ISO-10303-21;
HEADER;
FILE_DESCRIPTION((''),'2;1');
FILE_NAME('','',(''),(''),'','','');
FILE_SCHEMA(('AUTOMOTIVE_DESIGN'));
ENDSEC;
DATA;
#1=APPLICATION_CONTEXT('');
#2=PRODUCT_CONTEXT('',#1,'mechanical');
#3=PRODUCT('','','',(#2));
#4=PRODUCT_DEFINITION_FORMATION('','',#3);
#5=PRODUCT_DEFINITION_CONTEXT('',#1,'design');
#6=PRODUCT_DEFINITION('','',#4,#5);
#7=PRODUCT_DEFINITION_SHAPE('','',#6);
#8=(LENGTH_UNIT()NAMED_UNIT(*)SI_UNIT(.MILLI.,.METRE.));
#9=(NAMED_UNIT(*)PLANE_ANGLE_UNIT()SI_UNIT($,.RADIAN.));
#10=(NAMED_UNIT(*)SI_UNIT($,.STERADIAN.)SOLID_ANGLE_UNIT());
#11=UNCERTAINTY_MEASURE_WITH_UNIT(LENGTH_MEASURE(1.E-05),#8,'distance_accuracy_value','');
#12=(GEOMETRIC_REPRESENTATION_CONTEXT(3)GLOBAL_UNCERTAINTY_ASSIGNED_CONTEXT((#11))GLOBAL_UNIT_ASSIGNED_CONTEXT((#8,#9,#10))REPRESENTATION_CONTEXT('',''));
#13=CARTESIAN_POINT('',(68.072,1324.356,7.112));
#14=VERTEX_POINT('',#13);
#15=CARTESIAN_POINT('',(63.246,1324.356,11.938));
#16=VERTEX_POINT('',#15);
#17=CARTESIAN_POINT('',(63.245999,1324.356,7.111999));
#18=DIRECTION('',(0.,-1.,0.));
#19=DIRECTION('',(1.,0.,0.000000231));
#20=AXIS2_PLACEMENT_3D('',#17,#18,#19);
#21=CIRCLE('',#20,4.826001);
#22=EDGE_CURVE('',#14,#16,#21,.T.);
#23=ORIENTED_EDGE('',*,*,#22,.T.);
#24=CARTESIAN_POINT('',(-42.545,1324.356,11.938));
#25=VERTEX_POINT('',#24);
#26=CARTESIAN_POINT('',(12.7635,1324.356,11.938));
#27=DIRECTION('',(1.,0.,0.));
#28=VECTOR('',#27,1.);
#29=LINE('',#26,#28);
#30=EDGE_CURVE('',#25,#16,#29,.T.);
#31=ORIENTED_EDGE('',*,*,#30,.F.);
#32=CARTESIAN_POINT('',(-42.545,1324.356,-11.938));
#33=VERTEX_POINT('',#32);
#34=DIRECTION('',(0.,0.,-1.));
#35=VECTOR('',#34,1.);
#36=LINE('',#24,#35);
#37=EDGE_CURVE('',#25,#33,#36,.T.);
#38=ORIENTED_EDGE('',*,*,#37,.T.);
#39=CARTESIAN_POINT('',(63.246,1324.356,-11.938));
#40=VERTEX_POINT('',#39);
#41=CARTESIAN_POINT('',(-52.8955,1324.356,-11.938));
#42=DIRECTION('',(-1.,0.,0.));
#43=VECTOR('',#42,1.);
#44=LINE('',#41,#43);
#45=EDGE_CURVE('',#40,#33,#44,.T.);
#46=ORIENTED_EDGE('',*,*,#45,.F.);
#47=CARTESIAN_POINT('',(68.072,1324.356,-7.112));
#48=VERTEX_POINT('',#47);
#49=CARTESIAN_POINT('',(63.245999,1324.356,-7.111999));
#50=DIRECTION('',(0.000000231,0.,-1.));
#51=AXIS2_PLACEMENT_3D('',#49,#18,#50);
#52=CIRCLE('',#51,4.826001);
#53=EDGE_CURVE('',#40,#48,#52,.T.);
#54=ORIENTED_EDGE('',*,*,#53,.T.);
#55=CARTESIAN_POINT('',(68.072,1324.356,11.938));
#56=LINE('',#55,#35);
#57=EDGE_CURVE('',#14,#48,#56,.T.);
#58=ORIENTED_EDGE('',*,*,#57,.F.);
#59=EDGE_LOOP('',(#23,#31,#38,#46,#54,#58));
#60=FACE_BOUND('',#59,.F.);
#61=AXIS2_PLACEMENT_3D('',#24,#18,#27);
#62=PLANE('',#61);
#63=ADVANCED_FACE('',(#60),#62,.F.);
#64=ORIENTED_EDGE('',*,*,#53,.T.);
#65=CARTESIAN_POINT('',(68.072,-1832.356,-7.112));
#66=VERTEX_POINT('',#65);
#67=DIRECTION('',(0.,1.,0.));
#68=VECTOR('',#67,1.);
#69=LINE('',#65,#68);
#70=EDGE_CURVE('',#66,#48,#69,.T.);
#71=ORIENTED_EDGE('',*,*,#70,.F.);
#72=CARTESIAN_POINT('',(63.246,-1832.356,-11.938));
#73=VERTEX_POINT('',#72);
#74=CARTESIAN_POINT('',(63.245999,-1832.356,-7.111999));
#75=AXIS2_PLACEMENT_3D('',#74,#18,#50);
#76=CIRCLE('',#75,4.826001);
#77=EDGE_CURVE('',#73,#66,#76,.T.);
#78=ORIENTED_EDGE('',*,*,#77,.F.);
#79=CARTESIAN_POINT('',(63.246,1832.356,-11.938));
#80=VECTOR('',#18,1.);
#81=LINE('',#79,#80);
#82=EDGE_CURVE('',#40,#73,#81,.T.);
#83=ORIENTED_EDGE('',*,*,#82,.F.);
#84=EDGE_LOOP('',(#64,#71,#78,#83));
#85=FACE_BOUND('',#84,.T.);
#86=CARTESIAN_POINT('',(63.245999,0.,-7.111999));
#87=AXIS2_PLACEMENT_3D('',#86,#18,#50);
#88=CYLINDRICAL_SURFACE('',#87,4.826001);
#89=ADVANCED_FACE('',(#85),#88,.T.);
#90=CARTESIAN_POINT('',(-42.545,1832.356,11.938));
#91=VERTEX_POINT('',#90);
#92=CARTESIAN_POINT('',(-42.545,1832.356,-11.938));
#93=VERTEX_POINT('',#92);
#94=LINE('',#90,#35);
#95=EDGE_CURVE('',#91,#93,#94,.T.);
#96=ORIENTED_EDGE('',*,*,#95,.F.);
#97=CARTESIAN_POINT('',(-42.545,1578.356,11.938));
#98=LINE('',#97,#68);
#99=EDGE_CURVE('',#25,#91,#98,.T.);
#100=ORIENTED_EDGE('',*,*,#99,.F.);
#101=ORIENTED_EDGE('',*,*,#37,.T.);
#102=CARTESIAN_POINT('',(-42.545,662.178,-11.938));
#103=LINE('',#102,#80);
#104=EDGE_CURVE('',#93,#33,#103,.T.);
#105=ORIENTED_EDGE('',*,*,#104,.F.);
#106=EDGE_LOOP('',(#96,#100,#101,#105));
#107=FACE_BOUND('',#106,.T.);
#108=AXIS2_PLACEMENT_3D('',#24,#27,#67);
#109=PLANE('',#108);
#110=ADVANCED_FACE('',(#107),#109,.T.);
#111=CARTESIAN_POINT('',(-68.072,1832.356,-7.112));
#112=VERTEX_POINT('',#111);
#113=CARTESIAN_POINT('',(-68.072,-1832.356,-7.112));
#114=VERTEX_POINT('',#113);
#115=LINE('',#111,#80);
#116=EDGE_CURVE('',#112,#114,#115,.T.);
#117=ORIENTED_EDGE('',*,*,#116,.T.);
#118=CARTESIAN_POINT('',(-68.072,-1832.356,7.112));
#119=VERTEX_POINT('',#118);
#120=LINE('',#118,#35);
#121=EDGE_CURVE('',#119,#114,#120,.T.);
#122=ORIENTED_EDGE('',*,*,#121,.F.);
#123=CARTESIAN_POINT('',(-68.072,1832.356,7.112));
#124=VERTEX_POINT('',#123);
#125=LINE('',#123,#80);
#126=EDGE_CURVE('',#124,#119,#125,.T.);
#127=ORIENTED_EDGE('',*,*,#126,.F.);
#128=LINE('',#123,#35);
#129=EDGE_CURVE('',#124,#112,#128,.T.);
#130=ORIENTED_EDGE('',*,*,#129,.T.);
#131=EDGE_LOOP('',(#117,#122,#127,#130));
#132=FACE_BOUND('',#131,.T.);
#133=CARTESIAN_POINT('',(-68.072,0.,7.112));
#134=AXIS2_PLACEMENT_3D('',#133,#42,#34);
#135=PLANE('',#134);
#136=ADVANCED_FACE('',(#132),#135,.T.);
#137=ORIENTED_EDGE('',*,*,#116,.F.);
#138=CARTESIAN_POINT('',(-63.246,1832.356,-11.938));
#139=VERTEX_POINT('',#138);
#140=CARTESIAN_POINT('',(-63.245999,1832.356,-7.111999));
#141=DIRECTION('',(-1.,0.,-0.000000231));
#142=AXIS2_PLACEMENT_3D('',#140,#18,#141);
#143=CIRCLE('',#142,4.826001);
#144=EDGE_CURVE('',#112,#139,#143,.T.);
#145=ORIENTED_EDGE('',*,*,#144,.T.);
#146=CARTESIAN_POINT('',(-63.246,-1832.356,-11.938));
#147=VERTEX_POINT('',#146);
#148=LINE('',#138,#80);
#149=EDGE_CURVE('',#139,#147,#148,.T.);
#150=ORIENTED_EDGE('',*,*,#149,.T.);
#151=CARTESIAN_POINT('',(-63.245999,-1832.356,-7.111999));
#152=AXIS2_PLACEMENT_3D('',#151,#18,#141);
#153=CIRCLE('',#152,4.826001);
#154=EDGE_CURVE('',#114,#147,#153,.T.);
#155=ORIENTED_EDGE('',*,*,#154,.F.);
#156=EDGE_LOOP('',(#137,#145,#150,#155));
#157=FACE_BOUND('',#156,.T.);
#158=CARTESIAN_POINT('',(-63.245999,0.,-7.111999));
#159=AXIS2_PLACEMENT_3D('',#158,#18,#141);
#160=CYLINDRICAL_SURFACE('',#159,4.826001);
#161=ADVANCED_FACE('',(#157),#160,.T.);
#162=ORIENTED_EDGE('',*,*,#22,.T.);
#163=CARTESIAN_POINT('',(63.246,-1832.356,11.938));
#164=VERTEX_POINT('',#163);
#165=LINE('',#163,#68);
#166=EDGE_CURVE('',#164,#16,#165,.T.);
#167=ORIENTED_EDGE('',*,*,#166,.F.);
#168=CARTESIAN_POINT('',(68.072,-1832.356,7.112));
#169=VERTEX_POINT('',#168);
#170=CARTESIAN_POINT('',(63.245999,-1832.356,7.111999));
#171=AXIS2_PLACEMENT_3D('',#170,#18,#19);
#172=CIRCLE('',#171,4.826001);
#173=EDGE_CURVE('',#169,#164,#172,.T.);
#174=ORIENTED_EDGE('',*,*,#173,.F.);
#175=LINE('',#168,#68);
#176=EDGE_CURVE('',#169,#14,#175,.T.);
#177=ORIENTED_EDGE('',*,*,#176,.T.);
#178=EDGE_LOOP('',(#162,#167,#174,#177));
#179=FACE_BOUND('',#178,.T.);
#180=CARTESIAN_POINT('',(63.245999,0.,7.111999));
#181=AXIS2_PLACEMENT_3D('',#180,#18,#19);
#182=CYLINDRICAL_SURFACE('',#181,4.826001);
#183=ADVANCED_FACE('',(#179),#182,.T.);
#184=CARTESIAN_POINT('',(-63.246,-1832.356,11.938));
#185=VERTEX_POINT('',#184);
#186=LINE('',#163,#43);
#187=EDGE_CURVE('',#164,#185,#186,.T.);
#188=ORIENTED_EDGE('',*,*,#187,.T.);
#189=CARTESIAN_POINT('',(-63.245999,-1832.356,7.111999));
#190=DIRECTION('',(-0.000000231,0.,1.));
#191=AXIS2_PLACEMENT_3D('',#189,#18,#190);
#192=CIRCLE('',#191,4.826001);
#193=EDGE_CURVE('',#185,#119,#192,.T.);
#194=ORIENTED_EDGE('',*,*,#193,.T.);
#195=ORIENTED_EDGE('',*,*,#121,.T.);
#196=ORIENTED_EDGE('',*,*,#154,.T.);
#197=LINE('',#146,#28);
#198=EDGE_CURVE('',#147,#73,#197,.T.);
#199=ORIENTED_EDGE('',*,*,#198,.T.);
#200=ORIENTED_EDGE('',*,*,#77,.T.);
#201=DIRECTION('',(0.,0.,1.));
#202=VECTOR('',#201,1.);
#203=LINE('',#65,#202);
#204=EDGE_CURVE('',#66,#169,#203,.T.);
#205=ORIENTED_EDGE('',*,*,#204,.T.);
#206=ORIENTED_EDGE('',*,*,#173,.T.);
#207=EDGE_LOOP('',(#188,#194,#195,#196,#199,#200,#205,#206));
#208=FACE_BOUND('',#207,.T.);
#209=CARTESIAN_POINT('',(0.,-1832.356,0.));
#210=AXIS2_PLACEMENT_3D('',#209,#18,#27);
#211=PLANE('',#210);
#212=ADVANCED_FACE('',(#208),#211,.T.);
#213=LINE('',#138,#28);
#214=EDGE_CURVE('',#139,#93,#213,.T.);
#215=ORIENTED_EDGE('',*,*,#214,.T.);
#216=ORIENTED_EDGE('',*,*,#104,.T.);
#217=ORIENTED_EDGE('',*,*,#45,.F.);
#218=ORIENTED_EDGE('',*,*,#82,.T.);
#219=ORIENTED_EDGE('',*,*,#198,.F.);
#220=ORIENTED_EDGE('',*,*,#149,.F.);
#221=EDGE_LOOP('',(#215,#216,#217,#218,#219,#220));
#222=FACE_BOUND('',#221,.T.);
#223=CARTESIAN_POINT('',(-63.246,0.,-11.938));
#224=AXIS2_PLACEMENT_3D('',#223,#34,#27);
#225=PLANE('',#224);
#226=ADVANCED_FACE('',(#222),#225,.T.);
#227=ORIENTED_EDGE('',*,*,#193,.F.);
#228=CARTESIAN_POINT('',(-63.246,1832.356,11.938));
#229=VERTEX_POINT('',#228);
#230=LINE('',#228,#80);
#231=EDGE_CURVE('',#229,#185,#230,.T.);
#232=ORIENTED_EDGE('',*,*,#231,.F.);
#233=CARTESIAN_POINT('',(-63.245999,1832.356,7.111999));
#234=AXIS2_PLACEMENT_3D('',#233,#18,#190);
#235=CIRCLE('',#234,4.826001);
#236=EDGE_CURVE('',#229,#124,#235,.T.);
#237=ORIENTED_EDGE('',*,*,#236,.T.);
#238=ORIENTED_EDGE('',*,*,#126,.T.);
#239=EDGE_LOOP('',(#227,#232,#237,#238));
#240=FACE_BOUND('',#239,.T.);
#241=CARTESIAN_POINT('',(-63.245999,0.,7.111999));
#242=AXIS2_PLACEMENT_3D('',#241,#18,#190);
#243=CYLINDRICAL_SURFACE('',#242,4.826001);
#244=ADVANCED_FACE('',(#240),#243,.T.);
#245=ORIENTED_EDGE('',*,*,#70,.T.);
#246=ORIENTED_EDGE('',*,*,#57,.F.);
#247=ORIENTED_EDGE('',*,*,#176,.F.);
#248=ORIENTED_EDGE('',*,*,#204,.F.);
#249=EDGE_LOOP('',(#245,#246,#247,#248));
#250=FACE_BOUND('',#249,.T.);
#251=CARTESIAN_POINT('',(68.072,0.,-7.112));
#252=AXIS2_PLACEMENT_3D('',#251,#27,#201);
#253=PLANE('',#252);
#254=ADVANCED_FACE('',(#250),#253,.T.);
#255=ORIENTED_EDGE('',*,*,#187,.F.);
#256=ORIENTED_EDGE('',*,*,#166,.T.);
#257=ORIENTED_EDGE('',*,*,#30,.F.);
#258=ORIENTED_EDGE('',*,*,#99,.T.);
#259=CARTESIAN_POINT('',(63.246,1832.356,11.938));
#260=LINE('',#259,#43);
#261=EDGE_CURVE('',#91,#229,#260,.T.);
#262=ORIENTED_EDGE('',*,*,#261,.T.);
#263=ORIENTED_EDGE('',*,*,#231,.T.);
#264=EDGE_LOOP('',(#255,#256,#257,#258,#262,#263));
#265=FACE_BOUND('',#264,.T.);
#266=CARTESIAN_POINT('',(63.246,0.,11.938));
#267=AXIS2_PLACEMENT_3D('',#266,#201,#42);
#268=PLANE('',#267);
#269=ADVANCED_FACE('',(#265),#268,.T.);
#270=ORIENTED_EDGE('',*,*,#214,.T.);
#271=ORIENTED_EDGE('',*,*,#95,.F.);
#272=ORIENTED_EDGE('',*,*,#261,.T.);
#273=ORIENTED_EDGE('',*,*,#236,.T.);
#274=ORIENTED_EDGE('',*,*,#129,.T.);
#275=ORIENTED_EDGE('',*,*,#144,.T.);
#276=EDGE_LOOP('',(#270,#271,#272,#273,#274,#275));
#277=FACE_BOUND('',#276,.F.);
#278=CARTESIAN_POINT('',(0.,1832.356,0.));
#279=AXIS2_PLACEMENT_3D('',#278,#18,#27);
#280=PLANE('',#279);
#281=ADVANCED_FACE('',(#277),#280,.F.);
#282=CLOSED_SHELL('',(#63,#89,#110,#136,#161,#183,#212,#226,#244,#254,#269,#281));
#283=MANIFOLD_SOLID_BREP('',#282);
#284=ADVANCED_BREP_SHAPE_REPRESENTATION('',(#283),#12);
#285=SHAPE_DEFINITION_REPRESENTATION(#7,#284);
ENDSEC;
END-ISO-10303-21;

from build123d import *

# Parameters (mm, degrees)
F1_DEPTH = 1832.356
F2_W     = 110.617
F2_H     = 508
F3_DEPTH = 23.877


with BuildPart() as f1:
    # F0 (on Front) → F1 (new body, symmetric)
    with BuildSketch(Plane.XZ):
        with BuildLine():
            Line((63.246, 11.938), (-63.246, 11.938))
            ThreePointArc((-63.246, 11.938), (-66.658497, 10.524497), (-68.072, 7.112))
            Line((-68.072, 7.112), (-68.072, -7.112))
            ThreePointArc((-68.072, -7.112), (-66.658497, -10.524497), (-63.246, -11.938))
            Line((-63.246, -11.938), (63.246, -11.938))
            ThreePointArc((63.246, -11.938), (66.658497, -10.524497), (68.072, -7.112))
            Line((68.072, -7.112), (68.072, 7.112))
            ThreePointArc((68.072, 7.112), (66.658497, 10.524497), (63.246, 11.938))
        make_face()
    extrude(amount=F1_DEPTH, both=True)

    # F2 (on face) → F3 (cut, through all)
    with BuildSketch(Plane.XY.offset(11.938)):
        with Locations((12.7635, 1578.356)):
            Rectangle(F2_W, F2_H)
    extrude(amount=-F3_DEPTH, mode=Mode.SUBTRACT)


solid = f1.part
